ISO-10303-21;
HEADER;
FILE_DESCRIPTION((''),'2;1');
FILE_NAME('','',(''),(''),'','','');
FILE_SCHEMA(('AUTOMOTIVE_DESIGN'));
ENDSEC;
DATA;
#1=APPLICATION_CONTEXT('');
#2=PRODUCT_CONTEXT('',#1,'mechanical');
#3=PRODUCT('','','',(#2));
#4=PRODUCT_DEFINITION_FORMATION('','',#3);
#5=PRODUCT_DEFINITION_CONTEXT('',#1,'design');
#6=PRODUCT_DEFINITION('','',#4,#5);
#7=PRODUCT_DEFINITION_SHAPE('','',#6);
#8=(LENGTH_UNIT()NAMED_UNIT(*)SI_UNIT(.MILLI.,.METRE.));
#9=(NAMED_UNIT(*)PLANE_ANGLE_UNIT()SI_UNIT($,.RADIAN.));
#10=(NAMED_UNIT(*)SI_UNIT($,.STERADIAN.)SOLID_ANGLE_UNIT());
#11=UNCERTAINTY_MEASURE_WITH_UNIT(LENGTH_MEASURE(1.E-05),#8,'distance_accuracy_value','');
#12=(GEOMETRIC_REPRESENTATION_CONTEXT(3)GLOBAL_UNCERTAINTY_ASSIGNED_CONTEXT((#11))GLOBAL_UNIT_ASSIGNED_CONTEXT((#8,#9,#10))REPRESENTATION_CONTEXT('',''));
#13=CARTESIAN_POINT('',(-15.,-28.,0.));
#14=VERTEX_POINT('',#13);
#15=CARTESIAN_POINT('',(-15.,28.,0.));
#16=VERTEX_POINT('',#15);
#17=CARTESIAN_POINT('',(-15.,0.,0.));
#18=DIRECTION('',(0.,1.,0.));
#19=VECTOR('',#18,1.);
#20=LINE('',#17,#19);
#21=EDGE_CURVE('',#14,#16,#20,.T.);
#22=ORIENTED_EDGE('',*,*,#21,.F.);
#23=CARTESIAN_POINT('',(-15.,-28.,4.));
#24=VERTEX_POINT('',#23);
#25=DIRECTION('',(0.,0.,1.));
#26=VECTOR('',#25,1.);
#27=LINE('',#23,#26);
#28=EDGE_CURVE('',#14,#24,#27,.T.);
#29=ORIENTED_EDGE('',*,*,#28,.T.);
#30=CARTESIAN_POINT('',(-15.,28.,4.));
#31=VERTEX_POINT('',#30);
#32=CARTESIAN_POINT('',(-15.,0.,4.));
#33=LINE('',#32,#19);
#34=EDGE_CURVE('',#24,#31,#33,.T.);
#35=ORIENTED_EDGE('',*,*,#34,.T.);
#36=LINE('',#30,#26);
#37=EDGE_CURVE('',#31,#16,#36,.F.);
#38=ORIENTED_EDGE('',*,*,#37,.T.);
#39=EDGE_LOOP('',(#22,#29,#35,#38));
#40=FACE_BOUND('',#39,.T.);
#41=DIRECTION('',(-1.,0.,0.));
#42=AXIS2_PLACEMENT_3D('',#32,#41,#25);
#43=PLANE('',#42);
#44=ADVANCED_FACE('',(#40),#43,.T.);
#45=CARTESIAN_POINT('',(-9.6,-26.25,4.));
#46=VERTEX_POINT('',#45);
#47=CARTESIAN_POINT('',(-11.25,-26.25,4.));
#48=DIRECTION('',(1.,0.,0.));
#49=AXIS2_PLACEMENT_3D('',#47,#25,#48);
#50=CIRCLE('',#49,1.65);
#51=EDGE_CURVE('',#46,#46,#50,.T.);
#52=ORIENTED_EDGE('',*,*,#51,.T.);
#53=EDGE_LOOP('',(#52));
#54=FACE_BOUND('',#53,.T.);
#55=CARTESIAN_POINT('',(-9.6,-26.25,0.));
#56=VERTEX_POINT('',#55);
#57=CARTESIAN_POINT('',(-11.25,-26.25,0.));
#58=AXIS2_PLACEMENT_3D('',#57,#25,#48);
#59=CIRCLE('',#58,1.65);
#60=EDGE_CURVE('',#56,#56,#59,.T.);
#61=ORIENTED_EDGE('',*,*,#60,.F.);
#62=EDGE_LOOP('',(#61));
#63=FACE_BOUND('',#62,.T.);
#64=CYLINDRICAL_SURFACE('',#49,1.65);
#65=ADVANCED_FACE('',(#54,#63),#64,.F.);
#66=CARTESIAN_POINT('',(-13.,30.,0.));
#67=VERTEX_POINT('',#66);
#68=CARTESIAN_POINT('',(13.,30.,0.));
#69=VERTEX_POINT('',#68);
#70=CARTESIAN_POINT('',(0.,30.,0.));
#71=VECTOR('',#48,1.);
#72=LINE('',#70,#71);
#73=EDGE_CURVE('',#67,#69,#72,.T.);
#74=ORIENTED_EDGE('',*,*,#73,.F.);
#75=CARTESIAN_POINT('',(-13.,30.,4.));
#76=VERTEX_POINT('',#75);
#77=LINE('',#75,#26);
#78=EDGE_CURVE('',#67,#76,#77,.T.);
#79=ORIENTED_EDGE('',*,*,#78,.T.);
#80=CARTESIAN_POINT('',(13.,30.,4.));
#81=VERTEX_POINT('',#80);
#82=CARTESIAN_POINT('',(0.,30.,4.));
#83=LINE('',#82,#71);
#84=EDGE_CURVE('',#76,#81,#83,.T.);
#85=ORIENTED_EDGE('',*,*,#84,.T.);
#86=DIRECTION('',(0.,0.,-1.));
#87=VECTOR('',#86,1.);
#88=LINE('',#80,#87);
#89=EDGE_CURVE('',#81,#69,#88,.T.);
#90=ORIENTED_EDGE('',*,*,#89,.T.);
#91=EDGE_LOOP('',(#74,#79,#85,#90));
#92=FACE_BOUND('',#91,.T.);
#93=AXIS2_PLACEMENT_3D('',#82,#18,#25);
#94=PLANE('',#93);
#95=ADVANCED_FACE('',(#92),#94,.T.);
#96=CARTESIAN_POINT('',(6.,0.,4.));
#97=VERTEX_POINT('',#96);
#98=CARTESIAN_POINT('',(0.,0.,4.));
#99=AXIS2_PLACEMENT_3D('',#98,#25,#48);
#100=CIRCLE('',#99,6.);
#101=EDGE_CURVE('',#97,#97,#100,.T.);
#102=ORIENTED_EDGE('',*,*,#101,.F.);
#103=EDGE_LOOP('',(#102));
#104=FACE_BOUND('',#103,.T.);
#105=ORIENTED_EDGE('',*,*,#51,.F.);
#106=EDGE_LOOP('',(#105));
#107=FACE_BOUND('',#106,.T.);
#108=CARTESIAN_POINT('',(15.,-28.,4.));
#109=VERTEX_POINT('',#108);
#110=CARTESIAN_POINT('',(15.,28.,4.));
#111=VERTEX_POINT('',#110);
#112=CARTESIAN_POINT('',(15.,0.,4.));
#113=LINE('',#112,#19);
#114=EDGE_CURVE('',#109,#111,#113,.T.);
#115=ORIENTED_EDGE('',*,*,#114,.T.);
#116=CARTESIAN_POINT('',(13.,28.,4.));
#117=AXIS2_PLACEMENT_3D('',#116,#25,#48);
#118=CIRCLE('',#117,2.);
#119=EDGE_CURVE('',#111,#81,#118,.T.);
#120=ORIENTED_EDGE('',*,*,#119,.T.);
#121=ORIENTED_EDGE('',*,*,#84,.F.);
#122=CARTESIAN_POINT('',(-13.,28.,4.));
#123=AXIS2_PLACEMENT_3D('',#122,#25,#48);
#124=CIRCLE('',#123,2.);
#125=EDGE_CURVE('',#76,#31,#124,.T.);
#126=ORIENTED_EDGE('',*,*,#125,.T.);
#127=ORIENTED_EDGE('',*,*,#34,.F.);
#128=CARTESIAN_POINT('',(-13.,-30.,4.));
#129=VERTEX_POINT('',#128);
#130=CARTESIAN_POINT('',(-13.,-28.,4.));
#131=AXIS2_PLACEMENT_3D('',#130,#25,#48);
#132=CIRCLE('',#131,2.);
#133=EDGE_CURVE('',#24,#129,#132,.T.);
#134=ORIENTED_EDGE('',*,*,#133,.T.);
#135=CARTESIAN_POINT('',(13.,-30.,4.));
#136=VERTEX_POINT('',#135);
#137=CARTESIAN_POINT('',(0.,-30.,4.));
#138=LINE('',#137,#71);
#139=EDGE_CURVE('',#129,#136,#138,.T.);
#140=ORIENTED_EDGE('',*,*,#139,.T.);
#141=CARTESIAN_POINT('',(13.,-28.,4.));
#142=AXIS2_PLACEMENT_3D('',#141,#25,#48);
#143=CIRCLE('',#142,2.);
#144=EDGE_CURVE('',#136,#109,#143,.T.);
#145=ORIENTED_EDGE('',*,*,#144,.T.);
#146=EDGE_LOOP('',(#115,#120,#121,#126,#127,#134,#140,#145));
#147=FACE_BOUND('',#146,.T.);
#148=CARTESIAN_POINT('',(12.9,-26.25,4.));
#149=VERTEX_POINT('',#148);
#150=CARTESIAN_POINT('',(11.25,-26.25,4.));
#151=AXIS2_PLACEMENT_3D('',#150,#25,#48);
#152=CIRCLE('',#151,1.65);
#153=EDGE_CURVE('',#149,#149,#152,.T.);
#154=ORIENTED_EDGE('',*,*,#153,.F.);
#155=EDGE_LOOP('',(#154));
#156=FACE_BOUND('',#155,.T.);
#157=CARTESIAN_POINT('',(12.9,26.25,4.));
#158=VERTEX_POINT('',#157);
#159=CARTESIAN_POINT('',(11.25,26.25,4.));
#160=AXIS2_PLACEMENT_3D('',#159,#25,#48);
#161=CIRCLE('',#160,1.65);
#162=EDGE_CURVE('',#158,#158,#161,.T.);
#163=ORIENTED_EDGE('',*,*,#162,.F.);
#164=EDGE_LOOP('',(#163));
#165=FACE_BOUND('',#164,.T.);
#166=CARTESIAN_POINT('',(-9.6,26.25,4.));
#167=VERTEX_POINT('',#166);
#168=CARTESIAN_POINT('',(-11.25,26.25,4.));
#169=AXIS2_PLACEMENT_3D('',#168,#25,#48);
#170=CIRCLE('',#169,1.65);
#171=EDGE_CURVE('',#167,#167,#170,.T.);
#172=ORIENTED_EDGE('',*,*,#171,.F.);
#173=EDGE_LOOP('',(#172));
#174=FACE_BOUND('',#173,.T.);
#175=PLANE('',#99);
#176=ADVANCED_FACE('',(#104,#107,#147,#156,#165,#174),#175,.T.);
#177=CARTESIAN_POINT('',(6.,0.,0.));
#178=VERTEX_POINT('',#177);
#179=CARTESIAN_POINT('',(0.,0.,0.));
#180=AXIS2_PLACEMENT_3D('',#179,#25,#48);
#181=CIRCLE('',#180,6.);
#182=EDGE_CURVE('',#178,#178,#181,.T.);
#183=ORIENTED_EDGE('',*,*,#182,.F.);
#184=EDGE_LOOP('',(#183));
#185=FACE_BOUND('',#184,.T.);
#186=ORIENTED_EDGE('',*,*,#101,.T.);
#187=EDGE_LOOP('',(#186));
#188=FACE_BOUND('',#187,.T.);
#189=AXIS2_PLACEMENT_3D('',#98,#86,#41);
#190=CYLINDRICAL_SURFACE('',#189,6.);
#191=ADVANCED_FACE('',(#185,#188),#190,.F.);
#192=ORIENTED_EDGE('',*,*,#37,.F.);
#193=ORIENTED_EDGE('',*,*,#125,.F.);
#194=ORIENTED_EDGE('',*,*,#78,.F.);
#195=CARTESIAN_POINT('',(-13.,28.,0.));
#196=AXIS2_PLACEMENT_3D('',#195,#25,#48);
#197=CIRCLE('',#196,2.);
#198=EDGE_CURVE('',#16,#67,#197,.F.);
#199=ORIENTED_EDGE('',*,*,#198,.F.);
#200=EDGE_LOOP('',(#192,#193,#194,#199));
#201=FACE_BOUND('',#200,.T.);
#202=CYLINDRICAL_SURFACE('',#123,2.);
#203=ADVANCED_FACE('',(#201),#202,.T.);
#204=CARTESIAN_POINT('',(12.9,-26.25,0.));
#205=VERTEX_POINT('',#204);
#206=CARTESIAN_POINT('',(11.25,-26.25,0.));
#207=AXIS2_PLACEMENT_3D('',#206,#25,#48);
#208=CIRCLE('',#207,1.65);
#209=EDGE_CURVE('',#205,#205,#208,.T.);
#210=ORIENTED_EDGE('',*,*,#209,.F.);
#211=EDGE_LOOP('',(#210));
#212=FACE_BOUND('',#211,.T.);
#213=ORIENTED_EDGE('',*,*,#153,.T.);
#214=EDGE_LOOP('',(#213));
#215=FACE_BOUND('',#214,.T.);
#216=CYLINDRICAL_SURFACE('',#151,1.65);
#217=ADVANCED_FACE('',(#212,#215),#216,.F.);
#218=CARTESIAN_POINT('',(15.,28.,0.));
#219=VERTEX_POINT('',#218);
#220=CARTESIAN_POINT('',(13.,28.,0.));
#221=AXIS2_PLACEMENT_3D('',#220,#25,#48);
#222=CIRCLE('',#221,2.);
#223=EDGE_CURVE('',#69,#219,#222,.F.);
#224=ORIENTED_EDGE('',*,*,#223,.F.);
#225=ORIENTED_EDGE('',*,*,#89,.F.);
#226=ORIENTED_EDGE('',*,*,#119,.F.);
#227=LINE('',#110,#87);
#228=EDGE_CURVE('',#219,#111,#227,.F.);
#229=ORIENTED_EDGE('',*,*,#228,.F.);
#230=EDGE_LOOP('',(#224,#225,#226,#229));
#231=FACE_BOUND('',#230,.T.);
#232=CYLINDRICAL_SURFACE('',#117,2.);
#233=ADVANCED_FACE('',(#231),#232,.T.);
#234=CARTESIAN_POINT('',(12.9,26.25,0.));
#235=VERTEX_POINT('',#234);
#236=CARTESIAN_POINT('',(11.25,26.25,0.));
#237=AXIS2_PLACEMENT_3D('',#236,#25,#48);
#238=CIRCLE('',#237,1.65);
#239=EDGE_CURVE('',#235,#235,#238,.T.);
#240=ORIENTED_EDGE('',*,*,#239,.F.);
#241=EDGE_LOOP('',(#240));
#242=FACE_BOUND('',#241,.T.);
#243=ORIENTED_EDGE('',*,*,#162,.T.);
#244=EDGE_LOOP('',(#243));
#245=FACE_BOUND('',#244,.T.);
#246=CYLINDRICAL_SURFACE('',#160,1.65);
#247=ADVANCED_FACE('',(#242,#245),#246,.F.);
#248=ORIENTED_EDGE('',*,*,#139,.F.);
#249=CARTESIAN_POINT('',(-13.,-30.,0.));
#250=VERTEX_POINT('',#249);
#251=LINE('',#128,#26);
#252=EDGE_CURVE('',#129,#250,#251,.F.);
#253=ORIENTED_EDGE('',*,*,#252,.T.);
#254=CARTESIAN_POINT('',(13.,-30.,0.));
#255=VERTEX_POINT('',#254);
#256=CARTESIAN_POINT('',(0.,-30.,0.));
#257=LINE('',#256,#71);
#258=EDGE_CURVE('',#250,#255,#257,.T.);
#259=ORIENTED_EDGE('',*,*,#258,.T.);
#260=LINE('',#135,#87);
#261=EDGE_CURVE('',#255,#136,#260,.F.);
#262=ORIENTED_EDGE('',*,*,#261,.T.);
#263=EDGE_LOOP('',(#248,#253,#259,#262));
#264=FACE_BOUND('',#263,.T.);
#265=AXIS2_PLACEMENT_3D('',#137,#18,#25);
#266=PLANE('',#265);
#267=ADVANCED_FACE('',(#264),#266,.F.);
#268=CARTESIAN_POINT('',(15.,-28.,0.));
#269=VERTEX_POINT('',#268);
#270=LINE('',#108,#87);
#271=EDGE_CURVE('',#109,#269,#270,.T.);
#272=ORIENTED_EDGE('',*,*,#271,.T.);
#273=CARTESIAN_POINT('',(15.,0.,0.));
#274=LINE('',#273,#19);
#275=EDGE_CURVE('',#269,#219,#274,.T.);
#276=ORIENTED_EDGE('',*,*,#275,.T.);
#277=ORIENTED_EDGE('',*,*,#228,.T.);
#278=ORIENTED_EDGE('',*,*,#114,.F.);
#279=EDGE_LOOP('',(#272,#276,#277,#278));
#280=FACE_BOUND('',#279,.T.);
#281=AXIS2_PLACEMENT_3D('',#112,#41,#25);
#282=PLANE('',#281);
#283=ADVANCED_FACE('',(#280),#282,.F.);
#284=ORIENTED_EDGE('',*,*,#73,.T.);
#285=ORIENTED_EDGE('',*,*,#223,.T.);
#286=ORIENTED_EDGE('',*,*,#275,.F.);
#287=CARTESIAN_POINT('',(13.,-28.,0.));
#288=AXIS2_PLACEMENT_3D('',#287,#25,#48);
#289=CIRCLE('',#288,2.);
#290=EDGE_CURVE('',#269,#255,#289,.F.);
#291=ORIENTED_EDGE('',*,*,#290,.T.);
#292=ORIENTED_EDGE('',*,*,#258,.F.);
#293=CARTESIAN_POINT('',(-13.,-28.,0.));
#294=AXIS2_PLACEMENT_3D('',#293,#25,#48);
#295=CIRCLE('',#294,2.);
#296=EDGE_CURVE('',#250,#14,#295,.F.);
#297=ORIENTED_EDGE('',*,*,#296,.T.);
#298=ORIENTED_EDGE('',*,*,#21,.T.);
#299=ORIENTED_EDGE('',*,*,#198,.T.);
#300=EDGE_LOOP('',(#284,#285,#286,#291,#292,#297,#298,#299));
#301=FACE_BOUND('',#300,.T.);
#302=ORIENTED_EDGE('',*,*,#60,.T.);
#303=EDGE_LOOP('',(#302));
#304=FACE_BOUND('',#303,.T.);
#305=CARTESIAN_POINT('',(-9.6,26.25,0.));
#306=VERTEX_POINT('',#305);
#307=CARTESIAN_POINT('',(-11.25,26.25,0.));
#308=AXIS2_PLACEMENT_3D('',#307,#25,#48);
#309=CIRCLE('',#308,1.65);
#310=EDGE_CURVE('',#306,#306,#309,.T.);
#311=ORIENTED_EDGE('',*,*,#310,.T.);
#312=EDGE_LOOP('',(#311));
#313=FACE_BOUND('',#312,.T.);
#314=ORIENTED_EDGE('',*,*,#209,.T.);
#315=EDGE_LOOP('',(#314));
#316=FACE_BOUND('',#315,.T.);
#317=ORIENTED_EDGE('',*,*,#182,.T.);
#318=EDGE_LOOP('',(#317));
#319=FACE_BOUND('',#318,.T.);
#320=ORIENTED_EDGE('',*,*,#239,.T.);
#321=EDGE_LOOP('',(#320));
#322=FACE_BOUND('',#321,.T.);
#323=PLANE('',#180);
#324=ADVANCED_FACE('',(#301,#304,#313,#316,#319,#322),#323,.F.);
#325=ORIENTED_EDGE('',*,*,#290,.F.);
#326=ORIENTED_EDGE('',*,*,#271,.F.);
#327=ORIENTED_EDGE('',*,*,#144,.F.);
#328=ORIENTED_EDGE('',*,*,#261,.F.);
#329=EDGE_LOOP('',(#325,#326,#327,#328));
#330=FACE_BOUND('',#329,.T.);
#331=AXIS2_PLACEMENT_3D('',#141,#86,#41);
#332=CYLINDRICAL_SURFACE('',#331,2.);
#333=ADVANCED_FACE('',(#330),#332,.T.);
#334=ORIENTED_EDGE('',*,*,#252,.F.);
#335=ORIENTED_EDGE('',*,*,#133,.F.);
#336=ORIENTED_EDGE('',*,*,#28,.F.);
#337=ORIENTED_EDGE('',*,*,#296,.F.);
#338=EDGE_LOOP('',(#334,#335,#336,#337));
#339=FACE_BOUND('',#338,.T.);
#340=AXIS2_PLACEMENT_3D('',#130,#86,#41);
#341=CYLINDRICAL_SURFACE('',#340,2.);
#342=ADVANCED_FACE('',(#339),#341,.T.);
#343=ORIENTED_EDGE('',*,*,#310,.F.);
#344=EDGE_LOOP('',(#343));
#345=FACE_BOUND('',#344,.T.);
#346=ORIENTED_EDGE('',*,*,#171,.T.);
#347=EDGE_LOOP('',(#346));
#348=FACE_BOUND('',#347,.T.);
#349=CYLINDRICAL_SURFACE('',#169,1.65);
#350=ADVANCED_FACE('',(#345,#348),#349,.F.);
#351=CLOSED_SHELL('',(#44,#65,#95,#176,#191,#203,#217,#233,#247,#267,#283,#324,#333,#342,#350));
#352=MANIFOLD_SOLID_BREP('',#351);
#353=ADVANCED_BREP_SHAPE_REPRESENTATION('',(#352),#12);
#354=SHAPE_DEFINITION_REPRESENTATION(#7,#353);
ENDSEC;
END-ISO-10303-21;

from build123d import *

# Parameters (mm, degrees)
SKETCH_6_R         = 6
EXTRUDE_4_DEPTH    = 4
FILLET_2_R         = 2
FILLET_6_R         = 2
FILLET_12_R        = 2
FILLET_16_R        = 2
HOLE_WIZARD_M4_1_D = 3.3


with BuildPart() as part:
    # 草图6 → 凸台-拉伸4 (new body)
    with BuildSketch(Plane.XY):
        Polygon((-15, -22.5), (-15, -30), (-7.5, -30), (7.5, -30), (15, -30), (15, -22.5), (15, 22.5), (15, 30), (7.5, 30), (-7.5, 30), (-15, 30), (-15, 22.5), align=None)
        Circle(SKETCH_6_R, mode=Mode.SUBTRACT)
    extrude(amount=EXTRUDE_4_DEPTH)

    # 圆角2
    fillet_2_edges = [part.edges().sort_by_distance(p)[0] for p in [
        (15, 30, 2),
    ]]
    fillet(fillet_2_edges, radius=FILLET_2_R)

    # 圆角6
    fillet_6_edges = [part.edges().sort_by_distance(p)[0] for p in [
        (15, -30, 2),
    ]]
    fillet(fillet_6_edges, radius=FILLET_6_R)

    # 圆角12
    fillet_12_edges = [part.edges().sort_by_distance(p)[0] for p in [
        (-15, 30, 2),
    ]]
    fillet(fillet_12_edges, radius=FILLET_12_R)

    # 圆角16
    fillet_16_edges = [part.edges().sort_by_distance(p)[0] for p in [
        (-15, -30, 2),
    ]]
    fillet(fillet_16_edges, radius=FILLET_16_R)

    # M4 螺纹孔1 (through all)
    with Locations(Plane.XY.offset(4)):
        with Locations((-11.25, 26.25), (11.25, 26.25), (11.25, -26.25), (-11.25, -26.25)):
            Hole(HOLE_WIZARD_M4_1_D / 2)


solid = part.part
